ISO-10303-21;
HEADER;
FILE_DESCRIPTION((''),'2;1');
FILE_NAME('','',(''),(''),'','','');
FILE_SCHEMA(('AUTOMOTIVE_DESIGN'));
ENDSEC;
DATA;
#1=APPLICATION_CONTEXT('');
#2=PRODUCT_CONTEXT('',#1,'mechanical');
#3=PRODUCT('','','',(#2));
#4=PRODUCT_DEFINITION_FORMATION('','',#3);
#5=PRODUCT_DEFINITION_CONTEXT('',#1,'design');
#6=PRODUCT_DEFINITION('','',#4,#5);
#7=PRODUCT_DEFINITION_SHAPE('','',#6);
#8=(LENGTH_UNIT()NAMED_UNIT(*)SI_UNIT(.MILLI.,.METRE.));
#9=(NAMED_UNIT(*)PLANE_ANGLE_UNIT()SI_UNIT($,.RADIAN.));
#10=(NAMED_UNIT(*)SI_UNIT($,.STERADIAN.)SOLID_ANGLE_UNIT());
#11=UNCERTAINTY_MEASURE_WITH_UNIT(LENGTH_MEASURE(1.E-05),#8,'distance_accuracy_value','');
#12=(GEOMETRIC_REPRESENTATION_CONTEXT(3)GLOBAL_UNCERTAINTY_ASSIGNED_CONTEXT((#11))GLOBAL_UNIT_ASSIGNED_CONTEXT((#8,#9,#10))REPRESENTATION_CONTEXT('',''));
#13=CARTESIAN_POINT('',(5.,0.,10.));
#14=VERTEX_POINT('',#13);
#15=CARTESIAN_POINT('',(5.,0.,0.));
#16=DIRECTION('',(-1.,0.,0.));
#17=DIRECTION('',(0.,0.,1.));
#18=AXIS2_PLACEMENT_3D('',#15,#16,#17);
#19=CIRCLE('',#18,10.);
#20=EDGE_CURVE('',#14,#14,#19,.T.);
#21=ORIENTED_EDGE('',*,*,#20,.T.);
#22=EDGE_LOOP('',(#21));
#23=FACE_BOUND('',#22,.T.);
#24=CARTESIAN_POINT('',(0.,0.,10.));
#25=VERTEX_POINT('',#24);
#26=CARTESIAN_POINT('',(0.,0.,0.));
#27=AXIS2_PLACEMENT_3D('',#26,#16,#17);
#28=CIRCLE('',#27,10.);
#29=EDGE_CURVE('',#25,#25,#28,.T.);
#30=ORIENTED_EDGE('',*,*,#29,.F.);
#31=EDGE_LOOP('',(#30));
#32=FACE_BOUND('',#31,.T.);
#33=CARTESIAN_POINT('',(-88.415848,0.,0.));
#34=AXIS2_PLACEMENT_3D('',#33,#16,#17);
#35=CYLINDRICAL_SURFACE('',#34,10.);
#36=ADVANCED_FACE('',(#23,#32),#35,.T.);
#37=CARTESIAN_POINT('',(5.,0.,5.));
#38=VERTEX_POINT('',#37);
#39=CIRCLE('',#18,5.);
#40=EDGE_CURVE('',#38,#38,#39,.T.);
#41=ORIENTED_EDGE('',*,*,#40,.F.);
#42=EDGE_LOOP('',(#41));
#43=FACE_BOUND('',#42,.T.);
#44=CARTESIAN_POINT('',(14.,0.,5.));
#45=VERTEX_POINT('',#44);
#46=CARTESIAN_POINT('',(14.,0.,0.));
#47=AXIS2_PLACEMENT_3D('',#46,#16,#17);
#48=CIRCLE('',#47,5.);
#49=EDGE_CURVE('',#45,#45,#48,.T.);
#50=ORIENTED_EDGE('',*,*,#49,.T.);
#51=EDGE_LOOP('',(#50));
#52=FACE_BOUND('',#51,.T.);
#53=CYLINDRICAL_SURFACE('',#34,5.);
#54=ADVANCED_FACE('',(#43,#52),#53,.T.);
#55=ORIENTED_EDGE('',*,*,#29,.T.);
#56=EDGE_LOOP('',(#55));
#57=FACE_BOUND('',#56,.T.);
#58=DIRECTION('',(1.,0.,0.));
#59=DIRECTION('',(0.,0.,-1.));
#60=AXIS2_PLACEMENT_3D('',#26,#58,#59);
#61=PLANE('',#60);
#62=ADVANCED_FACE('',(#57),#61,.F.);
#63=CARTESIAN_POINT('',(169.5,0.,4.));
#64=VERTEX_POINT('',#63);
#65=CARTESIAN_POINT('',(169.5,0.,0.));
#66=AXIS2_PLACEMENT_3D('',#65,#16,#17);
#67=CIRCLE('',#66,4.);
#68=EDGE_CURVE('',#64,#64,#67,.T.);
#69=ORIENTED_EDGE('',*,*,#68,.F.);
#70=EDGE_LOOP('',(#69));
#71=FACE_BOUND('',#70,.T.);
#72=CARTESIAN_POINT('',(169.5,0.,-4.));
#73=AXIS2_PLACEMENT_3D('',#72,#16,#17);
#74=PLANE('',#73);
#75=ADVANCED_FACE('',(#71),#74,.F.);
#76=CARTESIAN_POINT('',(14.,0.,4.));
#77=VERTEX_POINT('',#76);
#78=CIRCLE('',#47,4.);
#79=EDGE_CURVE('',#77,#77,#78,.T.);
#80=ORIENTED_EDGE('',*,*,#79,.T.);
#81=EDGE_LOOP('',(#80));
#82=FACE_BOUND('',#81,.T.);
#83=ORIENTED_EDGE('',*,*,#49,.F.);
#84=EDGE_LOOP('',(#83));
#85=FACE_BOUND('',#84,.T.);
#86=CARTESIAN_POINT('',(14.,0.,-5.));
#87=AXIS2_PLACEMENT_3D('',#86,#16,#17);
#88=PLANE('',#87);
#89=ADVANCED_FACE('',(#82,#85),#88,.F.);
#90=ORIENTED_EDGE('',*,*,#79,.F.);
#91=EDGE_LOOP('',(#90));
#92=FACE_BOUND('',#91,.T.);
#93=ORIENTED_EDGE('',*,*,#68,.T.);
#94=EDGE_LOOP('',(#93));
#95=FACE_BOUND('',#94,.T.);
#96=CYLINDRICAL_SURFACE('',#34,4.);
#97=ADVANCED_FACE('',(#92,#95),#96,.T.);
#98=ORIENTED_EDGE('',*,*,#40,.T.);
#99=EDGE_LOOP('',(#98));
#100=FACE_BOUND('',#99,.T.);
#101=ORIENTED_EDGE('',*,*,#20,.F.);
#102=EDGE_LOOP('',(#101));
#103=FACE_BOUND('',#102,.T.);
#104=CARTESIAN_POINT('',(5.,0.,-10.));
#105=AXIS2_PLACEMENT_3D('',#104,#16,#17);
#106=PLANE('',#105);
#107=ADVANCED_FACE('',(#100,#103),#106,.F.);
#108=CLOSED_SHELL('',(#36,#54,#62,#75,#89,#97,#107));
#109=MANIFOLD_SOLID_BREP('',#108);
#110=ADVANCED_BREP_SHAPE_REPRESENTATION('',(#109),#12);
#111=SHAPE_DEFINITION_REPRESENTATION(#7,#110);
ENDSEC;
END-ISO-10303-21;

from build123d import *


with BuildPart() as part:
    # 草图1 → 旋转1 (revolve)
    with BuildSketch(Plane(origin=(0, 0, 0), x_dir=(1, 0, 0), z_dir=(0, 1, 0)), mode=Mode.PRIVATE) as revolve_1_sk:
        Polygon((0, 0), (0, 10), (5, 10), (5, 5), (14, 5), (14, 4), (169.5, 4), (169.5, 0), align=None)
    revolve(revolve_1_sk.sketch.rotate(Axis((-88.415848436, 0, 0), (1, 0, 0)), 180), axis=Axis((-88.415848436, 0, 0), (1, 0, 0)))


solid = part.part
